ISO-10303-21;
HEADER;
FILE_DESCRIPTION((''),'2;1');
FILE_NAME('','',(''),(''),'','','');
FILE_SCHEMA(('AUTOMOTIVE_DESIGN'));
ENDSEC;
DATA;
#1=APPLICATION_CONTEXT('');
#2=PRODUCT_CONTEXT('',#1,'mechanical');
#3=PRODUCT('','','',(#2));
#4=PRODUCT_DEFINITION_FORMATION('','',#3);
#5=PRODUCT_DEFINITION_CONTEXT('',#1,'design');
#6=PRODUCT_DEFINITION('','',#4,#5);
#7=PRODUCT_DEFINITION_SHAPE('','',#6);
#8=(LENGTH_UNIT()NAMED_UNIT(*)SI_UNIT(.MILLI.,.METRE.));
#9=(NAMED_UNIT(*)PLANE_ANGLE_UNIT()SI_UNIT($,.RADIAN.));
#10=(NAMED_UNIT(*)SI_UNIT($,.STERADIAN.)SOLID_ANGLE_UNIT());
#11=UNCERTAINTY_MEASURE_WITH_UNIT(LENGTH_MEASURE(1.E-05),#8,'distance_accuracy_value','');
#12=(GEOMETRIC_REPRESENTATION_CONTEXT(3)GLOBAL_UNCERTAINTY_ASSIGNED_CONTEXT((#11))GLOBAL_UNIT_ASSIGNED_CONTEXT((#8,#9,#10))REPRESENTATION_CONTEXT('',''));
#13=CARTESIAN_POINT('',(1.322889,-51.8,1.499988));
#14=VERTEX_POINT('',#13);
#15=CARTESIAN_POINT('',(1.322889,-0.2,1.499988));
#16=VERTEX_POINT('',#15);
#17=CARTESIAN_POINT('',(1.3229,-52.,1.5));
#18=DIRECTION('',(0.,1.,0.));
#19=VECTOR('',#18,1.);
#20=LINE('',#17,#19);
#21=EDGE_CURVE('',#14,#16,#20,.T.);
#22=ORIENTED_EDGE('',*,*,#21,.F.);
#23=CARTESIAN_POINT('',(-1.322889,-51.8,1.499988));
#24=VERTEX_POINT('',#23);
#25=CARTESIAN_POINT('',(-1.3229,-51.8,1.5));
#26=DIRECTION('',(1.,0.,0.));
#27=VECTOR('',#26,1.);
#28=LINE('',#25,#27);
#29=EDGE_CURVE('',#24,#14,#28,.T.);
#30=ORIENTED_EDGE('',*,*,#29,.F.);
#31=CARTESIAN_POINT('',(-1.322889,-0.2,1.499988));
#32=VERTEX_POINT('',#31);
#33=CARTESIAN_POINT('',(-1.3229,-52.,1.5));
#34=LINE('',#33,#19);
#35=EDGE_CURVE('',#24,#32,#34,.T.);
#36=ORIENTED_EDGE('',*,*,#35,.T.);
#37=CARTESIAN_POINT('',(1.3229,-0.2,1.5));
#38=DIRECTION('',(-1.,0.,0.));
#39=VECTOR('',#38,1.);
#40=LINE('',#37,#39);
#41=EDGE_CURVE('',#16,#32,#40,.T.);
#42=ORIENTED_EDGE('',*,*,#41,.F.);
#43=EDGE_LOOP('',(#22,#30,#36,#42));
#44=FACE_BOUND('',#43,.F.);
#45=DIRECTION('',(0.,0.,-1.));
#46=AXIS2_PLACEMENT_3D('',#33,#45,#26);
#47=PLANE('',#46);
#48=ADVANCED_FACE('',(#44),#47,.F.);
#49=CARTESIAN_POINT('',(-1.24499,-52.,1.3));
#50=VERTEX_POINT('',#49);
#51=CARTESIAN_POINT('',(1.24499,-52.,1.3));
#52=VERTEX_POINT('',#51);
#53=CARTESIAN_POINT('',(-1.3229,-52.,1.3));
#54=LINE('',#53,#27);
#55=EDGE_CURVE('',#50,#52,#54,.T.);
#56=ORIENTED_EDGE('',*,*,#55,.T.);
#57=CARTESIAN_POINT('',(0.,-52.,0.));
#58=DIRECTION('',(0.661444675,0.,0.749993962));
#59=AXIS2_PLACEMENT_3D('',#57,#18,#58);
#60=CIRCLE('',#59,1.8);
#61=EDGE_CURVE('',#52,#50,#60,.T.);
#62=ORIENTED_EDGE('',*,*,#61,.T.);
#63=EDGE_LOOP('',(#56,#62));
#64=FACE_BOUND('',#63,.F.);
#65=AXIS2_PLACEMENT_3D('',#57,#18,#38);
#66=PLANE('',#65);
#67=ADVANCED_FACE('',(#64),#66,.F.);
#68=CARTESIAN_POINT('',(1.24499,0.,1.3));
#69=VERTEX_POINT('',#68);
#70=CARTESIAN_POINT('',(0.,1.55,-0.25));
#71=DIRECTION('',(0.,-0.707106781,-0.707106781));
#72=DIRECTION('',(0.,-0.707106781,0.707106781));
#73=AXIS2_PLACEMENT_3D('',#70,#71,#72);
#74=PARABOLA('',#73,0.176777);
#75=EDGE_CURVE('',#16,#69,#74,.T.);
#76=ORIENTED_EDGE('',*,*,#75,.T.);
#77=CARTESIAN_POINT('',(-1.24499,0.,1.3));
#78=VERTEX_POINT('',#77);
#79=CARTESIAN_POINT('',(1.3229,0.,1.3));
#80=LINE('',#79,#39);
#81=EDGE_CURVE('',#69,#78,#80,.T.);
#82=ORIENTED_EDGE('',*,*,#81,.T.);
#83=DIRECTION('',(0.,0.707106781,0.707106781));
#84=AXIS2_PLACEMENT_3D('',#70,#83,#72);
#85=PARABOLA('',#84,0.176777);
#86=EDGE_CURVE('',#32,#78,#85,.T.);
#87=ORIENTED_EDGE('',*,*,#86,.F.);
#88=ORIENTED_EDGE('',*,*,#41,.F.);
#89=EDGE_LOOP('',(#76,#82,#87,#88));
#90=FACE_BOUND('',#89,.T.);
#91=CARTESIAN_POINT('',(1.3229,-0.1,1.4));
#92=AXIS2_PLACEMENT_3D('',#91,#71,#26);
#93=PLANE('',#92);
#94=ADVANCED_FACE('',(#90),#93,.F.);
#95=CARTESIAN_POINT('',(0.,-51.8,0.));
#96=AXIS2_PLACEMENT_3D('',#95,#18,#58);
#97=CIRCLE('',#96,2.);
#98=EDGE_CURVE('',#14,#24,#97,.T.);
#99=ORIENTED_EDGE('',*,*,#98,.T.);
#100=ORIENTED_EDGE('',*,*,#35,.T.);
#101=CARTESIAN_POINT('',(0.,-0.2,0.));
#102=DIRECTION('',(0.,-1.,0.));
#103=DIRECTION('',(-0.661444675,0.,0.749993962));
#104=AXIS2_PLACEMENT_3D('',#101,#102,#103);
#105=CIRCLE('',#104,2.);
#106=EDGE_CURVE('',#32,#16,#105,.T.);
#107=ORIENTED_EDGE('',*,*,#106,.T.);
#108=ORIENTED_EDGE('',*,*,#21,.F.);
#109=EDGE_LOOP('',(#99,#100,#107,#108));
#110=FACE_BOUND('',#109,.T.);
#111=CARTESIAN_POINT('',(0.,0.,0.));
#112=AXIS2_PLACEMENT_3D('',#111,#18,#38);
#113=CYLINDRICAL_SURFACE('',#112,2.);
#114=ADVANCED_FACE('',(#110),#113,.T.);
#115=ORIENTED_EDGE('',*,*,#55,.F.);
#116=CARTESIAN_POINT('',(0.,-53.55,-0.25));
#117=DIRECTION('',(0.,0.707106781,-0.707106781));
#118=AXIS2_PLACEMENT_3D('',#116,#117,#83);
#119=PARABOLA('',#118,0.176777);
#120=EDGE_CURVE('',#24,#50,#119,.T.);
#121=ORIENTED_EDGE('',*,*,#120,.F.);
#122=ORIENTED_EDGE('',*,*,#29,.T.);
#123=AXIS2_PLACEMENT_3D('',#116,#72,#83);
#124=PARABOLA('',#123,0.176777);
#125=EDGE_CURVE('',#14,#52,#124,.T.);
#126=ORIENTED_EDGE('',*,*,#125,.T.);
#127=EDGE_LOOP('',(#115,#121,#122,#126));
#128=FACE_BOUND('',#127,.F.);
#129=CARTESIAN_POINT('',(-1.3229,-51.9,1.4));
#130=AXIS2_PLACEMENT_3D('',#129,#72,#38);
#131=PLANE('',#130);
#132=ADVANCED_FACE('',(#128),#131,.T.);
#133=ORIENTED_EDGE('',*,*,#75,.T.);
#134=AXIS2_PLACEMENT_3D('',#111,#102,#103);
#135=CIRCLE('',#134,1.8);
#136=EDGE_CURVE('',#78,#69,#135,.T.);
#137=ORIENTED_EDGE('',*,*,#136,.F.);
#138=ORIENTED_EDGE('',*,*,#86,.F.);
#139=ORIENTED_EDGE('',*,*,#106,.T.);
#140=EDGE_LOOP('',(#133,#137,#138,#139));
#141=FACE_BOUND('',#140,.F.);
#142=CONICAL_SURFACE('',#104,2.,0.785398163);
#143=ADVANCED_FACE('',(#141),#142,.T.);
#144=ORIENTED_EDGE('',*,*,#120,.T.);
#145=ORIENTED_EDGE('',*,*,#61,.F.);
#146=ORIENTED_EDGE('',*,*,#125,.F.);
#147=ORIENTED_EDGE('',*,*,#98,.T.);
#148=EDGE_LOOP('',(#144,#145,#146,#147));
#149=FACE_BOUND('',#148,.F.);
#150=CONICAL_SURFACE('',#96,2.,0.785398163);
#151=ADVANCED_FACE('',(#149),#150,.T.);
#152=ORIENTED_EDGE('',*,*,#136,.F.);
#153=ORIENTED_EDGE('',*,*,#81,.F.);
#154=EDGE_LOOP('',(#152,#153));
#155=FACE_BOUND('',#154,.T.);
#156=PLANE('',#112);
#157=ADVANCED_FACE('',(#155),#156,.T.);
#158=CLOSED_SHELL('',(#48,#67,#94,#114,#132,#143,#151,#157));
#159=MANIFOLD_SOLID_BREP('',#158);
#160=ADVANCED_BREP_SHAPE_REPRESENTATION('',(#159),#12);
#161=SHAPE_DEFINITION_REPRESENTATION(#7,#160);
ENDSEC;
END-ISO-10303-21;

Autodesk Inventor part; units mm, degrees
ref_plane "YZ Plane" through (0, 0, 0) normal (1, 0, 0) x (0, 1, 0)
ref_plane "XZ Plane" through (0, 0, 0) normal (0, 1, 0) x (-1, 0, 0)
ref_plane "XY Plane" through (0, 0, 0) normal (0, 0, 1) x (1, 0, 0)
sketch "Sketch1" plane through (0, 0, 0) normal (0, 1, 0) x (-1, 0, 0)
  circle A0 centre (0, 0) radius 2
  dimension "d0" = 4
extrude "Extrusion1" add sketch "Sketch1" against normal blind 52
sketch "Sketch2" plane through (0, -52, 0) normal (0, -1, 0) x (1, 0, 0)
  circle A0 centre (0, 0) radius 2 projected
  line L0 (-1.3229, 1.5) -> (1.3229, 1.5)
  circle A1 centre (0, 0) radius 2 projected
  dimension "d3" = 0.5
extrude "Extrusion2" cut sketch "Sketch2" against normal through all contours L0 A0 picked at (-0.3089, 1.5908)
chamfer "Chamfer1" distance 0.2 angle 45 4 edges at (0, -52, -2) (0, -52, 1.5) (0, 0, -2) (0, 0, 1.5)
properties part number "10-0052" material "Aluminum 6061"
